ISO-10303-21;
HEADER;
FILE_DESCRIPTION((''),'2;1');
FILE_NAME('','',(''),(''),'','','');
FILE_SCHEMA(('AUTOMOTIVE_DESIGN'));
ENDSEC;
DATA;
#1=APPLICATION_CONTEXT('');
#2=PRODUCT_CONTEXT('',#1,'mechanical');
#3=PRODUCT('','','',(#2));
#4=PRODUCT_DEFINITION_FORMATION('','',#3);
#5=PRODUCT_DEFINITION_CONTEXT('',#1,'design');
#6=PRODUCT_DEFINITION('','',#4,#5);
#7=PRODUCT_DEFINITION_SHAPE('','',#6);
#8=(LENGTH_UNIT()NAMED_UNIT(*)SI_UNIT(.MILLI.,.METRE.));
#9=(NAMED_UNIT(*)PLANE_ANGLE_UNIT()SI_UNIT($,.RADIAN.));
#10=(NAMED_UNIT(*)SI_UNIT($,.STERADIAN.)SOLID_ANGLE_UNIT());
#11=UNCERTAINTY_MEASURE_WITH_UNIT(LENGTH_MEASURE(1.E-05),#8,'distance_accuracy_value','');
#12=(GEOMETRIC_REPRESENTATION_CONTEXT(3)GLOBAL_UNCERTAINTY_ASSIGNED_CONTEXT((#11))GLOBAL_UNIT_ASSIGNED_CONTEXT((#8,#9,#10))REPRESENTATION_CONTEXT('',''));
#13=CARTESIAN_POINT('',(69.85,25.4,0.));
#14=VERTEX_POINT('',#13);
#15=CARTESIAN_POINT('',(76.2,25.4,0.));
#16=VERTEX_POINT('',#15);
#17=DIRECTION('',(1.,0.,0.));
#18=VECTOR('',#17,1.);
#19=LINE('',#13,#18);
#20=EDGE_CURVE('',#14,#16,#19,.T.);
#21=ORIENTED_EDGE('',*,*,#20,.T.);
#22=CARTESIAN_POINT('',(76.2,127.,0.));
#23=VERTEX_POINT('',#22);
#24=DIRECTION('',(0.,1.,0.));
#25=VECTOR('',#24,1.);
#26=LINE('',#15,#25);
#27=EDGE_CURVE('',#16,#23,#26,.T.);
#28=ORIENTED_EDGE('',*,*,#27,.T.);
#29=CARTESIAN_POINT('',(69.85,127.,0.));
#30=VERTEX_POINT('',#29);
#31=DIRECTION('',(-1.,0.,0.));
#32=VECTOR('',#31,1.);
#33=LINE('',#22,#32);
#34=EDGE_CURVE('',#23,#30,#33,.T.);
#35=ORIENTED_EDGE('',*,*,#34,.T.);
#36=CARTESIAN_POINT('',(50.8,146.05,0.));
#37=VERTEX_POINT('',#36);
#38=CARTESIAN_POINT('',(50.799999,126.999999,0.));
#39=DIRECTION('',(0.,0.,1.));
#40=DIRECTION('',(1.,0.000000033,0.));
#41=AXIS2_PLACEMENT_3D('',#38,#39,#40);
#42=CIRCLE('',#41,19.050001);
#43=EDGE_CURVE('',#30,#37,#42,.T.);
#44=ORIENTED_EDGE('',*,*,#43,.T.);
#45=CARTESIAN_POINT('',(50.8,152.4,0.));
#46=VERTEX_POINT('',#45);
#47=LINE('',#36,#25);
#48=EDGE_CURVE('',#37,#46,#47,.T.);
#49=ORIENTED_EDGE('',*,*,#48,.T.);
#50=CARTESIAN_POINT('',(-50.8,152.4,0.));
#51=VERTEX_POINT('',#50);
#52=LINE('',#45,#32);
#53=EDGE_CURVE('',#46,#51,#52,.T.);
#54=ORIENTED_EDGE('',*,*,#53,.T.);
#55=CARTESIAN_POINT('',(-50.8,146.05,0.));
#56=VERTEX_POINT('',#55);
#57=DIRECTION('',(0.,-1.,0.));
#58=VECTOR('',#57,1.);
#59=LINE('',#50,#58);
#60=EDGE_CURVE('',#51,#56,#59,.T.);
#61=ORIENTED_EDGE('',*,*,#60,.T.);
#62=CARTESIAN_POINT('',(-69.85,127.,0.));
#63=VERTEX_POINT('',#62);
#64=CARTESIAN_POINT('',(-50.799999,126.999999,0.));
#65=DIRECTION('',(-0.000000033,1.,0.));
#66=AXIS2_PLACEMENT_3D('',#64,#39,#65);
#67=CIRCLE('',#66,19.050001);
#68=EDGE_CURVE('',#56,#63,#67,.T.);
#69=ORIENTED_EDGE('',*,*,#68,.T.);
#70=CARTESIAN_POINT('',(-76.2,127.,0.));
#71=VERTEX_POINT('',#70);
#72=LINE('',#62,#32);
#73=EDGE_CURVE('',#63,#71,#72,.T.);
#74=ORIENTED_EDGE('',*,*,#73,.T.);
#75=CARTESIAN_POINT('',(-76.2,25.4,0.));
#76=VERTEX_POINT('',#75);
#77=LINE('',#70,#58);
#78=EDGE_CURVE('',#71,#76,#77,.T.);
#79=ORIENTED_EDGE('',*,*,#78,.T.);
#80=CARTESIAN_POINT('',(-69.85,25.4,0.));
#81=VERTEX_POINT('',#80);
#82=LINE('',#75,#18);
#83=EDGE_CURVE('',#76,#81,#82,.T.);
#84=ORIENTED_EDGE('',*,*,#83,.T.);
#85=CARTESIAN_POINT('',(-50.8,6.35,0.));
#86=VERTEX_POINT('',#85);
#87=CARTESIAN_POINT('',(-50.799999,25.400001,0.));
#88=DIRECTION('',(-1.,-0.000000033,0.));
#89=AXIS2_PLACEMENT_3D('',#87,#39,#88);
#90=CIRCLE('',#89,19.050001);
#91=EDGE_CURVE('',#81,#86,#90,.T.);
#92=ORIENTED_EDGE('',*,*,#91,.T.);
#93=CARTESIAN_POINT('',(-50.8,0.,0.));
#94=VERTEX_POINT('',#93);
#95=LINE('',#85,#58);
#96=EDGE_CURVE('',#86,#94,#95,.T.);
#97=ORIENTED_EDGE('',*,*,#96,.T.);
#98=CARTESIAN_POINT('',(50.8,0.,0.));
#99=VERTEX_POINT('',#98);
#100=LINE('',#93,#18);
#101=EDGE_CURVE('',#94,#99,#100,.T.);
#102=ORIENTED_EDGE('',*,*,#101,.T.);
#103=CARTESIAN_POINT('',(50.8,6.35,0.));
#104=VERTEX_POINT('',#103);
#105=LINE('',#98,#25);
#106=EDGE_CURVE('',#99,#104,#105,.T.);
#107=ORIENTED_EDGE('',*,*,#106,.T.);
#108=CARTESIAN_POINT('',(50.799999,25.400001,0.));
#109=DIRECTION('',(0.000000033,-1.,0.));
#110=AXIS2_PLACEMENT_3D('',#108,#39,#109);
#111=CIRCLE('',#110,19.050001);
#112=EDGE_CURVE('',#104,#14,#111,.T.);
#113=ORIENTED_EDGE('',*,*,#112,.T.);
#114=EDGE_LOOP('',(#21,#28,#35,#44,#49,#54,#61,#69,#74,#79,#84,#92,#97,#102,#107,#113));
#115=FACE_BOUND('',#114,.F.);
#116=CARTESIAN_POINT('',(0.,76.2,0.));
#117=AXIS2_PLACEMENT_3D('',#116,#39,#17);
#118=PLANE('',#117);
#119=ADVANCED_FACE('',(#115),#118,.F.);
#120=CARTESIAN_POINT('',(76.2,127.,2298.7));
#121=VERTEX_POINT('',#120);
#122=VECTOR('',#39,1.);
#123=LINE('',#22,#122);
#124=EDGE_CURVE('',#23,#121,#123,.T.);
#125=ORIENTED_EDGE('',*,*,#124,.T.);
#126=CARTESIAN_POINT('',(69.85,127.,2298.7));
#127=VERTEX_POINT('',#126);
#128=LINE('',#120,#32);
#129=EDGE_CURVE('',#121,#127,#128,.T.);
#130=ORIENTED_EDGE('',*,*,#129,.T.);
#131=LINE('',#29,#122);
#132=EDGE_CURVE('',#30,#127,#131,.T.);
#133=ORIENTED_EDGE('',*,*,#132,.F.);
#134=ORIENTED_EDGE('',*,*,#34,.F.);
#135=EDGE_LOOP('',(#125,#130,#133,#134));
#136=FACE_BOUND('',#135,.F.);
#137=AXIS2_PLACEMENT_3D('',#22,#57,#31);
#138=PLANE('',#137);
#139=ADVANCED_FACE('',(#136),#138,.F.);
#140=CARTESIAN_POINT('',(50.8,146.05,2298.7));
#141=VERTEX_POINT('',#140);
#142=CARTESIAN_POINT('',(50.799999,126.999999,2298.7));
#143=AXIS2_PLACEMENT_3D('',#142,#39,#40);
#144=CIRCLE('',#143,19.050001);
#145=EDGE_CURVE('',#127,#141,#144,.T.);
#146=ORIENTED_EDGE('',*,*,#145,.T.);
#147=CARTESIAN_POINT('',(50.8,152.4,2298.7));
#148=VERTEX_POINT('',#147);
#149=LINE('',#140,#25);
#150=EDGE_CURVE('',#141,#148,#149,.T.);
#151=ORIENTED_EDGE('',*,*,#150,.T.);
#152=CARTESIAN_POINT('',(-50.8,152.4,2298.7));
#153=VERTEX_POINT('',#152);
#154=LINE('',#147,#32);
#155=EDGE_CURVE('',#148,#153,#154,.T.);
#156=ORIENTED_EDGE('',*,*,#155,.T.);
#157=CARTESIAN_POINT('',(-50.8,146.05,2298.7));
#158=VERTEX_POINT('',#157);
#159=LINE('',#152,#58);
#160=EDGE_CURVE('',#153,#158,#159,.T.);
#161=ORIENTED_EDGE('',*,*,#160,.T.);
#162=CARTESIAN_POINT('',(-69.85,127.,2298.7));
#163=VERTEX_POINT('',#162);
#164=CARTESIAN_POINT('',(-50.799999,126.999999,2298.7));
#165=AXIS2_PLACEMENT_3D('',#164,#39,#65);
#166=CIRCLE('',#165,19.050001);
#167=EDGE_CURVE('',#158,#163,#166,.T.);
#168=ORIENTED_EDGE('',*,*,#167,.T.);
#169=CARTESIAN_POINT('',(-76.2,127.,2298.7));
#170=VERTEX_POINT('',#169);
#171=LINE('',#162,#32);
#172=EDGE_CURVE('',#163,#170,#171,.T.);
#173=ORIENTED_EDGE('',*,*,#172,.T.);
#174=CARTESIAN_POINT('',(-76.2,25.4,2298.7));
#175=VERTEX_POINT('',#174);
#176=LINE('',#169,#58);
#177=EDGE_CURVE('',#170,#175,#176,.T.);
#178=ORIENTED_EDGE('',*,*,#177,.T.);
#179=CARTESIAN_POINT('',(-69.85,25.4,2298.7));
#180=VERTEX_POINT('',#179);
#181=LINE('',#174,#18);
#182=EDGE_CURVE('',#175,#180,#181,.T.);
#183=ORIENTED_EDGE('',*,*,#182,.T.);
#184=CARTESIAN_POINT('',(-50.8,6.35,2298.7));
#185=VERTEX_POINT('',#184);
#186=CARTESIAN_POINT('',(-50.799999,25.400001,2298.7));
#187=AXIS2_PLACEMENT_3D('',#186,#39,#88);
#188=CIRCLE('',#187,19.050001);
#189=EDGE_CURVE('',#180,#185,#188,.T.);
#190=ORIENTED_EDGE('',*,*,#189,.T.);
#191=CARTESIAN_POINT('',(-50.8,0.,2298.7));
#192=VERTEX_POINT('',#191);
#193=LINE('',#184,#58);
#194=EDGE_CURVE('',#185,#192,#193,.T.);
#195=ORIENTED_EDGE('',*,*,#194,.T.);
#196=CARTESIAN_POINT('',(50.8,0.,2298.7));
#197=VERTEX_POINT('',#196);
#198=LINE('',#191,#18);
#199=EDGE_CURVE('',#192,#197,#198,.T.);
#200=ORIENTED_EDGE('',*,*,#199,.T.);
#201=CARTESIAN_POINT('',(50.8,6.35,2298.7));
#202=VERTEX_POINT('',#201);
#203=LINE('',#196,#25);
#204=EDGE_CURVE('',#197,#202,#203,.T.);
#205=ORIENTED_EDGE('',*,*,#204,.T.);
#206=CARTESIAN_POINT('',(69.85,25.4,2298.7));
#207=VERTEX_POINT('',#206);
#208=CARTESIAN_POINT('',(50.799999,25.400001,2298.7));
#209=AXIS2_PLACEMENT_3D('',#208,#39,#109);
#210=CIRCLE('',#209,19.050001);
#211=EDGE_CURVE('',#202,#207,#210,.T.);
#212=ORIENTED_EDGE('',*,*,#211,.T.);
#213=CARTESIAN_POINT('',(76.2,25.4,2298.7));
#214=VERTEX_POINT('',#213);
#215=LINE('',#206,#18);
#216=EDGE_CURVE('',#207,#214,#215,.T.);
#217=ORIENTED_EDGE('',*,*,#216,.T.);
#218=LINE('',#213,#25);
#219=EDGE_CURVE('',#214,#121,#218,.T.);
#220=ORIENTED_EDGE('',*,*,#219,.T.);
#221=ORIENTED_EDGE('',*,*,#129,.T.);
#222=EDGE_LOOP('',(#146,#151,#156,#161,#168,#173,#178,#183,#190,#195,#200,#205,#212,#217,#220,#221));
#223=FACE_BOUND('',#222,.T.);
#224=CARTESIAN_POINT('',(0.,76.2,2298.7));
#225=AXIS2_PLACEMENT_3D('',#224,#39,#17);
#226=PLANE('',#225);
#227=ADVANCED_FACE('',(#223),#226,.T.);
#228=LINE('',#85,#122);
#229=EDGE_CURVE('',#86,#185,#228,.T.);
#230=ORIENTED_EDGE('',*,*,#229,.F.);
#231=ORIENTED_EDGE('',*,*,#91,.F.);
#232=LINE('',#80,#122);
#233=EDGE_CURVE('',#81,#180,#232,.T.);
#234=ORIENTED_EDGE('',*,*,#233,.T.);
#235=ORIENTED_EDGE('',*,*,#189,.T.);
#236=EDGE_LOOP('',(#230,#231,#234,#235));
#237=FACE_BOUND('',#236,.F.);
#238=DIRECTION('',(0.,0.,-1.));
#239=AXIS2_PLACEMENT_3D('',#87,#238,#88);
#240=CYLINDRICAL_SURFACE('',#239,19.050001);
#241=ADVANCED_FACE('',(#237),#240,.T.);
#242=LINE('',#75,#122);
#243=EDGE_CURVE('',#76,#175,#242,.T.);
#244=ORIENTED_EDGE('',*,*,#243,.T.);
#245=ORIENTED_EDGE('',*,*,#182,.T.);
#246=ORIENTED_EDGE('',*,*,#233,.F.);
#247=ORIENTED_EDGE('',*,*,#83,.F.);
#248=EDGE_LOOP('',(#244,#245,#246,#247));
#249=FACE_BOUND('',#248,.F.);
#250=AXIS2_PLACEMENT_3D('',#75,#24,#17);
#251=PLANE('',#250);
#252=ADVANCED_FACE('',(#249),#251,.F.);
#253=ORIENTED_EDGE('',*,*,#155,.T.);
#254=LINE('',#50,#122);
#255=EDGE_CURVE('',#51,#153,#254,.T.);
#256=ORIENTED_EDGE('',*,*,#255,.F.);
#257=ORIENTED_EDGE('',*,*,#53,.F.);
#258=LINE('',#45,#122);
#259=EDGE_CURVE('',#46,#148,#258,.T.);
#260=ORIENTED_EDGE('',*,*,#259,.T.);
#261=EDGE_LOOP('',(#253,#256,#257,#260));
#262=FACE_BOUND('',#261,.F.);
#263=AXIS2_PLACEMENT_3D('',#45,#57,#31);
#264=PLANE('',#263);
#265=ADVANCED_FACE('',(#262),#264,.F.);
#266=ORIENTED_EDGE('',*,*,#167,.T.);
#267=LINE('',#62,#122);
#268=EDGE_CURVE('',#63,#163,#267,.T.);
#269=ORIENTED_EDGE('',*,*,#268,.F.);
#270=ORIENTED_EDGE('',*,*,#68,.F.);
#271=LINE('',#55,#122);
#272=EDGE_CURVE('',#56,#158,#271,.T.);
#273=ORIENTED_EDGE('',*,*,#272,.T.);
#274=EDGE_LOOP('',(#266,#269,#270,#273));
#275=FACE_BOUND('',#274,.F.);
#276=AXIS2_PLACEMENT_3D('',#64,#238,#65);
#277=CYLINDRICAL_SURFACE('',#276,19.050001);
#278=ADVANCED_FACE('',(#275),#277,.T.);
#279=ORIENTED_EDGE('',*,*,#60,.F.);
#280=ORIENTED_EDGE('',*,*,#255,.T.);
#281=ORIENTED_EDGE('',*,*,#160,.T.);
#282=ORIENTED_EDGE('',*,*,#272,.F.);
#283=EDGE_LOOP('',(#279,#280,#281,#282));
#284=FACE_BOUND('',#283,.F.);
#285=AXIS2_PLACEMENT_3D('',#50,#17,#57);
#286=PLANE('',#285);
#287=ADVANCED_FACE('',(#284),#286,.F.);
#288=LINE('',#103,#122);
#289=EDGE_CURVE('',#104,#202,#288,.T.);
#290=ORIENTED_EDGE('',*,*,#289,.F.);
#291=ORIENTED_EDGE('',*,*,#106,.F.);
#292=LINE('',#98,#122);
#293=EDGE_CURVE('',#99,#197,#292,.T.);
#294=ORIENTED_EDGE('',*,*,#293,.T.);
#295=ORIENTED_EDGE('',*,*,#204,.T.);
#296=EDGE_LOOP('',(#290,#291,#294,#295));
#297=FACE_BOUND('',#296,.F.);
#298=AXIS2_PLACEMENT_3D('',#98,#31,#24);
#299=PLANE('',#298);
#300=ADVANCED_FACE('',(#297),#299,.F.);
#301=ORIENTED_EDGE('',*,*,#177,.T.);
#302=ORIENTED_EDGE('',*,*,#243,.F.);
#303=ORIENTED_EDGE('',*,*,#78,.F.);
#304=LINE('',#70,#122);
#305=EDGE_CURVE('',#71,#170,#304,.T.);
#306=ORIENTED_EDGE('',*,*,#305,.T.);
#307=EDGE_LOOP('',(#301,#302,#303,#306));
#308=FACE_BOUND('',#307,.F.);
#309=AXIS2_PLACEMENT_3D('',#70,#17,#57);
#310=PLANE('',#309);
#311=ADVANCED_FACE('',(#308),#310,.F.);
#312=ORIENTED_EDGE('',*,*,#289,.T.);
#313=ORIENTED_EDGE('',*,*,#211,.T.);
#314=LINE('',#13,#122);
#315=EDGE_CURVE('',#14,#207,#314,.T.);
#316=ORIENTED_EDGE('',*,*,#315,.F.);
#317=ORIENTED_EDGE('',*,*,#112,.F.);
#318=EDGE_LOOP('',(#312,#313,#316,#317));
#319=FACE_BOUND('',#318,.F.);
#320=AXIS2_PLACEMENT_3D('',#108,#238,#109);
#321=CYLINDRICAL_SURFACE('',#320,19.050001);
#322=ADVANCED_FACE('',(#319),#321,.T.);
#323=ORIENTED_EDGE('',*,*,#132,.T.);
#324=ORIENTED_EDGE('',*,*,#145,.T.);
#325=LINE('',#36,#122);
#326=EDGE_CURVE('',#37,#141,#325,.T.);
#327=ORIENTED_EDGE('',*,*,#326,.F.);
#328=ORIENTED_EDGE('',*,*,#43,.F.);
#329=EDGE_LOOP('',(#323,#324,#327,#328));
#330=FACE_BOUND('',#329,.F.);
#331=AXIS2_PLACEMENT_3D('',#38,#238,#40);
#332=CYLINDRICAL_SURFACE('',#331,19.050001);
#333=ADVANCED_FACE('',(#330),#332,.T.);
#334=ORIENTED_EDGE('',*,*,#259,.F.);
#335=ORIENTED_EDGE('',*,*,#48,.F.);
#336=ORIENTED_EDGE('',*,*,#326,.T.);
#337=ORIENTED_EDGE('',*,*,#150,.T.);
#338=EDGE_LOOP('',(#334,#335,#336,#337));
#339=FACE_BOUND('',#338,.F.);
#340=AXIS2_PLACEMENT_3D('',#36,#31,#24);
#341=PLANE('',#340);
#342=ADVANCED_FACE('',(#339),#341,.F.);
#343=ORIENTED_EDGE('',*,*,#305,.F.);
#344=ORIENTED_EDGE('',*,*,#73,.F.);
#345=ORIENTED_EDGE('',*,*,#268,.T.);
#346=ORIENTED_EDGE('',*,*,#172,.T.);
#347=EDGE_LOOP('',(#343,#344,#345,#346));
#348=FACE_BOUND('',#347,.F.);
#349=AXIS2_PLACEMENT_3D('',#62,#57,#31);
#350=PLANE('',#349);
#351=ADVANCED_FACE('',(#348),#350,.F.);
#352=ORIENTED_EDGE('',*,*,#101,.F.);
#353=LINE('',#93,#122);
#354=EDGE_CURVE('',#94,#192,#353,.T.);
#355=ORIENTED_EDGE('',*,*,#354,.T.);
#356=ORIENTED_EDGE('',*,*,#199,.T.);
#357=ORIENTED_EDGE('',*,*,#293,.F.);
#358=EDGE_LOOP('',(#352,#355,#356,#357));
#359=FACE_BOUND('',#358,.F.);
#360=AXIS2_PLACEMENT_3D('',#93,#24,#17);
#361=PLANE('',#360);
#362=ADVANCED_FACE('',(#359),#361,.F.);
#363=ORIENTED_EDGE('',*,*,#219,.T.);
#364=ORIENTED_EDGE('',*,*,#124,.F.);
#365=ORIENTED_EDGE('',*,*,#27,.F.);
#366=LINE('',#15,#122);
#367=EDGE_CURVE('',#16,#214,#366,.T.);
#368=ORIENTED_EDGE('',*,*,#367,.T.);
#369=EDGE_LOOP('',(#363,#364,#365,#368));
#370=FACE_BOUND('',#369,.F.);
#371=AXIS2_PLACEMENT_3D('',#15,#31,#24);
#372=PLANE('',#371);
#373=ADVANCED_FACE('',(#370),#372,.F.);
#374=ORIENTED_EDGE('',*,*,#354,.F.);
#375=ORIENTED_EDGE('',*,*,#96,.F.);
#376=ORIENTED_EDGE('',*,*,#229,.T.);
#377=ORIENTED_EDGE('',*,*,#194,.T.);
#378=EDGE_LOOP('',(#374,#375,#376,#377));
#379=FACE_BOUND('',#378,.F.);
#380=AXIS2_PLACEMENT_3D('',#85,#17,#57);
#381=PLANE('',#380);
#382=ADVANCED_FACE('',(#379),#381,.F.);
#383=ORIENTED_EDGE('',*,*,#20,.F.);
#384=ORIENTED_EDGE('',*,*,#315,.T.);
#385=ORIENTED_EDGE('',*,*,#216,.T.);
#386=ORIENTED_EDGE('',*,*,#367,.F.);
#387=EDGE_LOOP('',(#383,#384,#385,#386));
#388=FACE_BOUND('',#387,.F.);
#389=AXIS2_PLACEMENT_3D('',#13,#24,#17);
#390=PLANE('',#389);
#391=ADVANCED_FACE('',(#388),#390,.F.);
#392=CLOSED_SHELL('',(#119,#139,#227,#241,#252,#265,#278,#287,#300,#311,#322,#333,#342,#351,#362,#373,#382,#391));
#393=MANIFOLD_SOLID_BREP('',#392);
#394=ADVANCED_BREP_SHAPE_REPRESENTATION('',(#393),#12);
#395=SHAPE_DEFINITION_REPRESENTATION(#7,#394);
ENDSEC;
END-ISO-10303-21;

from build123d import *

# Parameters (mm, degrees)
F1_DEPTH = 2298.7


with BuildPart() as f1:
    # F0 (on Top) → F1 (new body)
    with BuildSketch(Plane.XY):
        with BuildLine():
            Line((-50.8, 0), (50.8, 0))
            Line((50.8, 0), (50.8, 6.35))
            ThreePointArc((50.8, 6.35), (64.270384, 11.929616), (69.85, 25.4))
            Line((69.85, 25.4), (76.2, 25.4))
            Line((76.2, 25.4), (76.2, 127))
            Line((76.2, 127), (69.85, 127))
            ThreePointArc((69.85, 127), (64.270384, 140.470384), (50.8, 146.05))
            Line((50.8, 146.05), (50.8, 152.4))
            Line((50.8, 152.4), (-50.8, 152.4))
            Line((-50.8, 152.4), (-50.8, 146.05))
            ThreePointArc((-50.8, 146.05), (-64.270384, 140.470384), (-69.85, 127))
            Line((-69.85, 127), (-76.2, 127))
            Line((-76.2, 127), (-76.2, 25.4))
            Line((-76.2, 25.4), (-69.85, 25.4))
            ThreePointArc((-69.85, 25.4), (-64.270384, 11.929616), (-50.8, 6.35))
            Line((-50.8, 6.35), (-50.8, 0))
        make_face()
    extrude(amount=F1_DEPTH)


solid = f1.part
